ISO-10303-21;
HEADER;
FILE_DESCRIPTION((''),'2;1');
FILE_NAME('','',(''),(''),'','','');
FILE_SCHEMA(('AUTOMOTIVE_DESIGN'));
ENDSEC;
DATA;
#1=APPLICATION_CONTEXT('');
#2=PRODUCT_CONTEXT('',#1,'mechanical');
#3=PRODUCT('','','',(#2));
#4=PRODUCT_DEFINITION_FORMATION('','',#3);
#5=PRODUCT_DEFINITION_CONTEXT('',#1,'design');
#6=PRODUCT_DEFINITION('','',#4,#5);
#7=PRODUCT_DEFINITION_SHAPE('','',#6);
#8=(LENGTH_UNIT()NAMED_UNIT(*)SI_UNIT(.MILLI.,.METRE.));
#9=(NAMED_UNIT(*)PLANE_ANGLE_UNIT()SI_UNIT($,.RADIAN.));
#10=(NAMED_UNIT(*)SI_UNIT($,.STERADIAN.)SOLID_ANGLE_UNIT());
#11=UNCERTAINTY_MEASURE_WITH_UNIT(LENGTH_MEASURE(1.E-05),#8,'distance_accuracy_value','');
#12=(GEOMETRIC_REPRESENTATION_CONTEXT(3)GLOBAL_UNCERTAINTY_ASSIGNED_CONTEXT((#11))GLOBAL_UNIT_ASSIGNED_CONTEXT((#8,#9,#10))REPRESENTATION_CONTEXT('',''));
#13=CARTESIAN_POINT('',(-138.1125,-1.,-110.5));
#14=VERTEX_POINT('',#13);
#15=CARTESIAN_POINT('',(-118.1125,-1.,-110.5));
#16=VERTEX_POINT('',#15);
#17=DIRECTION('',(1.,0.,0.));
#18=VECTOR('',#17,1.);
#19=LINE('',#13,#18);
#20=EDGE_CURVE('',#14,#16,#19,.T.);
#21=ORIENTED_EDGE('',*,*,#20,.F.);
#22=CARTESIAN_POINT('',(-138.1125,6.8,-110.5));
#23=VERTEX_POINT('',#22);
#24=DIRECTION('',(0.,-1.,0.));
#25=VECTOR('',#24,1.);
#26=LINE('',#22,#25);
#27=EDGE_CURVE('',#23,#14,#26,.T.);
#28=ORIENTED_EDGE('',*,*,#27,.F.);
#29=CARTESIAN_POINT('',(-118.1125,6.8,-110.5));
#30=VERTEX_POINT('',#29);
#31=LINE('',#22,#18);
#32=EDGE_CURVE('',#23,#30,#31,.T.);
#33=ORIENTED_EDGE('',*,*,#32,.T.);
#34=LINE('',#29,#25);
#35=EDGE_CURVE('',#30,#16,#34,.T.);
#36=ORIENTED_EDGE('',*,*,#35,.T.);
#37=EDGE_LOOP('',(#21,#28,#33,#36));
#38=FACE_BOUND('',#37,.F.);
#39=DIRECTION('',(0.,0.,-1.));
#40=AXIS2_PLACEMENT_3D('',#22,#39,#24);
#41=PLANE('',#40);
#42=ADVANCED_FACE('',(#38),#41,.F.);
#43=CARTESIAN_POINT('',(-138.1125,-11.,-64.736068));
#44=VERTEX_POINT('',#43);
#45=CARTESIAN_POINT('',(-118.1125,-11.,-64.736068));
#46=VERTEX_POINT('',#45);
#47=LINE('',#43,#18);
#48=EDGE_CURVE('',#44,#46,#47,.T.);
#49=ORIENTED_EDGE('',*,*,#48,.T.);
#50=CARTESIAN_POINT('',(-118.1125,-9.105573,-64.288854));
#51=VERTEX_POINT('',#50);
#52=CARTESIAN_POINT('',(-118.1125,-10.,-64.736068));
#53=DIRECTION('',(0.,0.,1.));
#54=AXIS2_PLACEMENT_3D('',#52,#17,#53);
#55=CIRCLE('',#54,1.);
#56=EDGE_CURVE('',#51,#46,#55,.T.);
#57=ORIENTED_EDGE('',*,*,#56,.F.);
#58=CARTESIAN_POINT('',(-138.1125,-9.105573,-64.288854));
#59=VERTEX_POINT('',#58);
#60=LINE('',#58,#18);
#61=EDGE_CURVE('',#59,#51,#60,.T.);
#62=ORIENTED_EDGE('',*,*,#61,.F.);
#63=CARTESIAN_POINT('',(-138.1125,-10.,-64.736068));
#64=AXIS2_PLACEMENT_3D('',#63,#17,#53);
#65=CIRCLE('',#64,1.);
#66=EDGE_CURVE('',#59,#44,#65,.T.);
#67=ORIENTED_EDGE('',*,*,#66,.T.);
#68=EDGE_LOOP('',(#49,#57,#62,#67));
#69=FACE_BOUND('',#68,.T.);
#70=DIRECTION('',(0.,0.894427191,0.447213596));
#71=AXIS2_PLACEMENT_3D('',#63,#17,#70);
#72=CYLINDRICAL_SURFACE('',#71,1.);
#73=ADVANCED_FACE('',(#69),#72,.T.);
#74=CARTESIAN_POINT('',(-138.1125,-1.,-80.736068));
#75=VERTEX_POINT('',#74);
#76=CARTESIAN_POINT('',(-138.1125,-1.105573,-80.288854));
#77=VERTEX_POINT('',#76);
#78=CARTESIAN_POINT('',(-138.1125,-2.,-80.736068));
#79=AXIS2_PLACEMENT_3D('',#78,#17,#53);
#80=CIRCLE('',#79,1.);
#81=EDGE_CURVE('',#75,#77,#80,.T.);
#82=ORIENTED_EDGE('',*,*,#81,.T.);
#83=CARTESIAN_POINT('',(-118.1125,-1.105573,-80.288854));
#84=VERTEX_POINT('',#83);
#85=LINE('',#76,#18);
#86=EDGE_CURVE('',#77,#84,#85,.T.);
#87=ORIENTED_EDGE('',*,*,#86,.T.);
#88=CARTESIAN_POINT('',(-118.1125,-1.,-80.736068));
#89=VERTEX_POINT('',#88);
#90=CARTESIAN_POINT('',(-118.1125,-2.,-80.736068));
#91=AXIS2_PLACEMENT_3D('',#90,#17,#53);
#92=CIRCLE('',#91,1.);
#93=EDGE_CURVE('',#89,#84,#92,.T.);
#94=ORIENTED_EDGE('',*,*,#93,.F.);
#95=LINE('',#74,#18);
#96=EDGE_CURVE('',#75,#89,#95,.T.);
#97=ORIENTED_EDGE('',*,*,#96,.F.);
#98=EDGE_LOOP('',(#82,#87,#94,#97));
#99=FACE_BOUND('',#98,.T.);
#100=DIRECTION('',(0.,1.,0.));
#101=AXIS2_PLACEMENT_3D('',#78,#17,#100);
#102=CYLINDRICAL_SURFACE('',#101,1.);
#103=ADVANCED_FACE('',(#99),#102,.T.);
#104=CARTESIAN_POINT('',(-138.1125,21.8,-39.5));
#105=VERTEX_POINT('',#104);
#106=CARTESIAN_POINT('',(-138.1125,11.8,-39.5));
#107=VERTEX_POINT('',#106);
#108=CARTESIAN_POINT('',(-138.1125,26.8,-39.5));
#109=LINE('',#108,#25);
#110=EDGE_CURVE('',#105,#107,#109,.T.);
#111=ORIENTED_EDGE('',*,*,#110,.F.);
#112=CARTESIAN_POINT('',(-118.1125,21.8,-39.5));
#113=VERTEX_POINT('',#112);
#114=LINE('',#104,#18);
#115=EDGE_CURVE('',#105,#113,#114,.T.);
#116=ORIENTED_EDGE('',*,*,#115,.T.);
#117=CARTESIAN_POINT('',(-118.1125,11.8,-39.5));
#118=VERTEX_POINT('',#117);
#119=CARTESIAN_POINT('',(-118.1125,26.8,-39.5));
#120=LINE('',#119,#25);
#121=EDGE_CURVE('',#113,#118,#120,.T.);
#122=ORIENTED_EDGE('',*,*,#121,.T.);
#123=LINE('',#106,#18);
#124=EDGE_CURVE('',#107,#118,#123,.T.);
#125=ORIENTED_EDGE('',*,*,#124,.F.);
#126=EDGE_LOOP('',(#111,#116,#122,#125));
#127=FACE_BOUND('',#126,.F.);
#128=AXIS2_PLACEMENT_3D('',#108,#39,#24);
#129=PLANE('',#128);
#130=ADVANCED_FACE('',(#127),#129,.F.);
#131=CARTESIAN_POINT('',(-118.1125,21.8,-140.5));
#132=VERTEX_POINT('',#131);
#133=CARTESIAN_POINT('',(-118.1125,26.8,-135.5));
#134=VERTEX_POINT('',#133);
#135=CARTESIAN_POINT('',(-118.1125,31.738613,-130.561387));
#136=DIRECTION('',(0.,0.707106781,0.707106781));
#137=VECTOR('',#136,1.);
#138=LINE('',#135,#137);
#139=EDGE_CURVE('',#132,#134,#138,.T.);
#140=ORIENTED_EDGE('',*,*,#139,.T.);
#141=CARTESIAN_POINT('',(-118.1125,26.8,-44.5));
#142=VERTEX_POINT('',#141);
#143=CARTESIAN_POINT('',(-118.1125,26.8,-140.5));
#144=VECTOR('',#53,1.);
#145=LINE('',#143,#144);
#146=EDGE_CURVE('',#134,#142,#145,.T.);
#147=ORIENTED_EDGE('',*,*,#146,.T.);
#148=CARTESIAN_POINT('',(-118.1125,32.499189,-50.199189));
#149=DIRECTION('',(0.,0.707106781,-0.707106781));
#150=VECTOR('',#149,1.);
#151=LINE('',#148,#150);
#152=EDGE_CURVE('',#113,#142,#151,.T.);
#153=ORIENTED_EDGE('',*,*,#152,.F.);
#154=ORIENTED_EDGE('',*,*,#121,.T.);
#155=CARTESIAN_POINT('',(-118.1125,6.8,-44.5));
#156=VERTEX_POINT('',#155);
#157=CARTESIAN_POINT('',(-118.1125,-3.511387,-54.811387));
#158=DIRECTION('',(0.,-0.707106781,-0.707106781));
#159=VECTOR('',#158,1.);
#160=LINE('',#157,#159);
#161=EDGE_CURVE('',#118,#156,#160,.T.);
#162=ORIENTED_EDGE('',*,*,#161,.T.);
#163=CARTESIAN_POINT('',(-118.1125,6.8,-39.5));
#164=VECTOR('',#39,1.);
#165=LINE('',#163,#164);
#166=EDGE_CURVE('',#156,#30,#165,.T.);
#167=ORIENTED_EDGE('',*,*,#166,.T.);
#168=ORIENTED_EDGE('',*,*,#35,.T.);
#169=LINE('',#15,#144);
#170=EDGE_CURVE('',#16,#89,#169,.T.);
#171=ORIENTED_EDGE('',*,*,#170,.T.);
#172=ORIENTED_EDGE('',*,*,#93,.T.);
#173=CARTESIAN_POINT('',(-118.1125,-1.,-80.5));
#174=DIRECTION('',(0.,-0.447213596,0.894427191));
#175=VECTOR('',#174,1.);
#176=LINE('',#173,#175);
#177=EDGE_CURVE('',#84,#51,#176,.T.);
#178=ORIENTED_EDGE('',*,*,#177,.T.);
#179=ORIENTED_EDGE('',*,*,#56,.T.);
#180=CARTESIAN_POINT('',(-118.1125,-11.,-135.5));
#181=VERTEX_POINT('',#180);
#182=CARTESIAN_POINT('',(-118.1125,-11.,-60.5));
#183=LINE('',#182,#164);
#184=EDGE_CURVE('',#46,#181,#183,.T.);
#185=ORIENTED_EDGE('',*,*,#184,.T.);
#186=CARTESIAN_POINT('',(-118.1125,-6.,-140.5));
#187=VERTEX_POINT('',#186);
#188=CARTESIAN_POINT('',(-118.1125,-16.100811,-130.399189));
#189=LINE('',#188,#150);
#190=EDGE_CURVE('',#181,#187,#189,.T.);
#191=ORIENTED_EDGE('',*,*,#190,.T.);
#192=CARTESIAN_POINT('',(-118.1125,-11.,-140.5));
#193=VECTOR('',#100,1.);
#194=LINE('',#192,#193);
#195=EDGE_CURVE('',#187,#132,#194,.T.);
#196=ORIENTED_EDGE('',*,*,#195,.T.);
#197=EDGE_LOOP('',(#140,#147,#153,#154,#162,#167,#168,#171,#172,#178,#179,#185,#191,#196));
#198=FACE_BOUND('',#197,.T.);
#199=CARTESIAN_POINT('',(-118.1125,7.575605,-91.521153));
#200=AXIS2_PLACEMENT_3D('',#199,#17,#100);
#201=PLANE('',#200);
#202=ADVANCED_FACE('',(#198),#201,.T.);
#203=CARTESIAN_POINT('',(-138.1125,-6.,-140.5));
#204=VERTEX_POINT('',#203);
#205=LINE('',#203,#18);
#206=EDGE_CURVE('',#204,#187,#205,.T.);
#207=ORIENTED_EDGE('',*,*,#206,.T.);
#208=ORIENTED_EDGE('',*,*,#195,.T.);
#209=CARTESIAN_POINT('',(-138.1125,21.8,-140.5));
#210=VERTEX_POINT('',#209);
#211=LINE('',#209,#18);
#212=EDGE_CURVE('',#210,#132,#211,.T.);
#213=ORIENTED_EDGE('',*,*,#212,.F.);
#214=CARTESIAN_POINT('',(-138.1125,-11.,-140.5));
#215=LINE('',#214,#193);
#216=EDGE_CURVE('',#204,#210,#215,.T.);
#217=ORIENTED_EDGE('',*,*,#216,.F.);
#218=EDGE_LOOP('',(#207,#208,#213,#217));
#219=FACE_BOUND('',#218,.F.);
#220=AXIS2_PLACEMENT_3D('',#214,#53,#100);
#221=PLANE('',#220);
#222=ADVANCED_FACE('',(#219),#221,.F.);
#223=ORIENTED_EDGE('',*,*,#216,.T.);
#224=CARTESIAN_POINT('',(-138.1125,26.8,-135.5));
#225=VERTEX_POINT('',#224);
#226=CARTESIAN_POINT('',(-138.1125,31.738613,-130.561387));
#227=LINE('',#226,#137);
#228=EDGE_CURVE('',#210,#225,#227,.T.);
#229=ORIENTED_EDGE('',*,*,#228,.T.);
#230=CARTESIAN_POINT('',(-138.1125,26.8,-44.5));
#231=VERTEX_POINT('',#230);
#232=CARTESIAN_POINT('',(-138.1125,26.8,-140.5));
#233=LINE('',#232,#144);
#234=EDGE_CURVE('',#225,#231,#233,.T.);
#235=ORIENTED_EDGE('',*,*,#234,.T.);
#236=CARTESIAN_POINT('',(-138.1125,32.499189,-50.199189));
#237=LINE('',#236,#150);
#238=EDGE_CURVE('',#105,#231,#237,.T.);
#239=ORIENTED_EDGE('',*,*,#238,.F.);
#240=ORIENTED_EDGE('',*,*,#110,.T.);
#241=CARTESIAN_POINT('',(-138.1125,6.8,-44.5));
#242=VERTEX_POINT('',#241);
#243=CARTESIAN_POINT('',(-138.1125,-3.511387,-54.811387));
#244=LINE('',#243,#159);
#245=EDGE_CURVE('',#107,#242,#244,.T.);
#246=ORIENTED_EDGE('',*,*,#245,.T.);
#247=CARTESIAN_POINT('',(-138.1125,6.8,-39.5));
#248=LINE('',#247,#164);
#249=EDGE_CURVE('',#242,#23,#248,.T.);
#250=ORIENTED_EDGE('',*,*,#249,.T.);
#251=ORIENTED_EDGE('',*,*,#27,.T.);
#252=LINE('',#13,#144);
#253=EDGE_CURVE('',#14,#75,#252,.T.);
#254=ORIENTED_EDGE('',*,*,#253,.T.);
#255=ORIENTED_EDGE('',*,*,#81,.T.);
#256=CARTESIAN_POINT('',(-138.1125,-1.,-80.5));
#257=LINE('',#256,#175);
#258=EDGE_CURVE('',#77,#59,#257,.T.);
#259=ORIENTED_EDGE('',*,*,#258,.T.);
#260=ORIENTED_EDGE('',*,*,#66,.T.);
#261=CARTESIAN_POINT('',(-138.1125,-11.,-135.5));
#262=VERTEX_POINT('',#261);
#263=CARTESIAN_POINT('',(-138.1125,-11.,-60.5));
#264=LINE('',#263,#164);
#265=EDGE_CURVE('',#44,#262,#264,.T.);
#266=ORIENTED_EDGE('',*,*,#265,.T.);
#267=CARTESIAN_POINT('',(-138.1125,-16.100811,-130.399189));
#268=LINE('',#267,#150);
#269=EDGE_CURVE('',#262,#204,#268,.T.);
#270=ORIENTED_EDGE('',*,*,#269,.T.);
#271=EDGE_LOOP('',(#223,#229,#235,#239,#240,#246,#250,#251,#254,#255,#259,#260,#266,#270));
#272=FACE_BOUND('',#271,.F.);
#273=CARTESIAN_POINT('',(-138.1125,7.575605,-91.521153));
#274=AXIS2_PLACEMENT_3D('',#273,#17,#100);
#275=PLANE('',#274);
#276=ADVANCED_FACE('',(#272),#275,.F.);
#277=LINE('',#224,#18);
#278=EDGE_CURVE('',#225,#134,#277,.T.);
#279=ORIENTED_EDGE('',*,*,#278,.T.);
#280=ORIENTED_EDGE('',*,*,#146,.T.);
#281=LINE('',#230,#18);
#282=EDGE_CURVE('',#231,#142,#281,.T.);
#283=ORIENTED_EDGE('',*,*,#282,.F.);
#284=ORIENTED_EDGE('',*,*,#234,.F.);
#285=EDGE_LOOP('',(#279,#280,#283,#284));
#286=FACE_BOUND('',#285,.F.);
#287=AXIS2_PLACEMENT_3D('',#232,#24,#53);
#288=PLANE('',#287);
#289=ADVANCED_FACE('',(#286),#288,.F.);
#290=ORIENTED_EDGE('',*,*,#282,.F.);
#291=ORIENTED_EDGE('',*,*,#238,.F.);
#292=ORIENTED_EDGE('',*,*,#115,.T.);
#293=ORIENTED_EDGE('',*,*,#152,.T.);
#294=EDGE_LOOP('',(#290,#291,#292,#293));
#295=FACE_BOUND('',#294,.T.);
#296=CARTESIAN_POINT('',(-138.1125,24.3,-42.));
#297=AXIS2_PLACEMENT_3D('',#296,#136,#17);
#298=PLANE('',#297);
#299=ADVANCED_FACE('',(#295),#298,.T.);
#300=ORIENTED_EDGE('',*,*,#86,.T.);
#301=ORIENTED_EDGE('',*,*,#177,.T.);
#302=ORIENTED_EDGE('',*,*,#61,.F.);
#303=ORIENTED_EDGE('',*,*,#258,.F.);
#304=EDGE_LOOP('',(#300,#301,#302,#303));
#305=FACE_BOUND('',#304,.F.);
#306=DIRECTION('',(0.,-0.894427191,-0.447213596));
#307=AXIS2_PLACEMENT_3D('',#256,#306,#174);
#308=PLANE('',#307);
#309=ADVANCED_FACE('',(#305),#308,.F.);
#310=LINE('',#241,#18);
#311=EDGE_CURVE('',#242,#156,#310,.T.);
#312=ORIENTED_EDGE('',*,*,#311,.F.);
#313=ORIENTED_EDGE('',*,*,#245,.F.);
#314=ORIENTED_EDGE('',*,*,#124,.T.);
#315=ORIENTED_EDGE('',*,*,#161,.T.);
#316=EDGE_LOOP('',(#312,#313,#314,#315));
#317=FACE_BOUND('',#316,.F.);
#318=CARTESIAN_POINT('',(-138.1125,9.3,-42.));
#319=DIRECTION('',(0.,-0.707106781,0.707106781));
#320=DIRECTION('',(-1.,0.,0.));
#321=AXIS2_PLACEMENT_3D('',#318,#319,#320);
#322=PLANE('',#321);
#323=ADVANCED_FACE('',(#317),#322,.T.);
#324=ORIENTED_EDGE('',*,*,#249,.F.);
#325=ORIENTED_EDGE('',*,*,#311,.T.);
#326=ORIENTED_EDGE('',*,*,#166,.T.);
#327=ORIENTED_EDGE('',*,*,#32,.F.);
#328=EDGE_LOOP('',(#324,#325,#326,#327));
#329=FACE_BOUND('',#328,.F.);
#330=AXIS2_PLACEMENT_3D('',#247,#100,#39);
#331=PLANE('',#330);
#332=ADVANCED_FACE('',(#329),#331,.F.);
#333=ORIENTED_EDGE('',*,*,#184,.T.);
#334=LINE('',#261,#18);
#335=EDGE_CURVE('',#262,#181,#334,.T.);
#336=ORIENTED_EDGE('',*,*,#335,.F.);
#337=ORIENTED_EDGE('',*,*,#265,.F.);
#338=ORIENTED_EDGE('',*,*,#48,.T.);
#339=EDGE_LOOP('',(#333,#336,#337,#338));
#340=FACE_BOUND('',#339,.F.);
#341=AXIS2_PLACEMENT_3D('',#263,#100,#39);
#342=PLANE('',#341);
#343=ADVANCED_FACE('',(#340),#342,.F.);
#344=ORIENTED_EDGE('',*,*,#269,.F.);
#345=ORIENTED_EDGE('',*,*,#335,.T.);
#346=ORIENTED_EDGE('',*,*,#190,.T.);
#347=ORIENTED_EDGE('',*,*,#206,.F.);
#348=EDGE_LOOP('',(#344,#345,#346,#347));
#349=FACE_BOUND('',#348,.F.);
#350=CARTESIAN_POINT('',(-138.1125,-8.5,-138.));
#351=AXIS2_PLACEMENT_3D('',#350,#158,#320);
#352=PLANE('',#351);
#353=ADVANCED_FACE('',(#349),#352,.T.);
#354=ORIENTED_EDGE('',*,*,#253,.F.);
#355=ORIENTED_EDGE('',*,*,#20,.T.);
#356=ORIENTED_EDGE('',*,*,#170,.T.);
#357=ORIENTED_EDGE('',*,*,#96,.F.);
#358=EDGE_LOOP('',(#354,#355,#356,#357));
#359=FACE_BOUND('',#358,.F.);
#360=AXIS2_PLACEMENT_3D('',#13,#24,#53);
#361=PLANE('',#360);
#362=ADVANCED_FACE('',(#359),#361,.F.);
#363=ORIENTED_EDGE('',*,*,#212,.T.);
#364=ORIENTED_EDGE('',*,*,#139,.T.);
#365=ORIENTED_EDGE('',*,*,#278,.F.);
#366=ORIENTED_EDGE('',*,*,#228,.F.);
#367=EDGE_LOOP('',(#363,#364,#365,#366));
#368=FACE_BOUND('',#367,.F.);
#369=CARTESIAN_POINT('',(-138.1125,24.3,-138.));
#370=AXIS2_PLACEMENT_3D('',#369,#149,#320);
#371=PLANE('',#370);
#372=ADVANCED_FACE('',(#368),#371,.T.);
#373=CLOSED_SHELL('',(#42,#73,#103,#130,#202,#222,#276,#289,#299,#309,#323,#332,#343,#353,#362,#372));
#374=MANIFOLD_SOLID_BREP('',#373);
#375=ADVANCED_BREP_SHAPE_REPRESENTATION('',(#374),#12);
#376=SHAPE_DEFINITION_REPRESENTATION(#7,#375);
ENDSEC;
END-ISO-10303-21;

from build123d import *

# Parameters (mm, degrees)
F3_DEPTH = 20
F4_SIZE  = 5
F5_R     = 1


with BuildPart() as f3:
    # F2 (on face) → F3 (new body)
    with BuildSketch(Plane.YZ.offset(-138.1125)):
        Polygon((26.8, -39.5), (6.8, -39.5), (6.8, -110.5), (-1, -110.5), (-1, -80.5), (-11, -60.5), (-11, -140.5), (26.8, -140.5), (26.8, -120.5), (26.8, -59.5), align=None)
    extrude(amount=F3_DEPTH)

    # F4
    f4_edges = [f3.edges().sort_by_distance(p)[0] for p in [
        (-128.1125, 26.8, -39.5),
        (-128.1125, 6.8, -39.5),
        (-128.1125, -11, -140.5),
        (-128.1125, 26.8, -140.5),
    ]]
    chamfer(f4_edges, length=F4_SIZE)

    # F5
    f5_edges = [f3.edges().sort_by_distance(p)[0] for p in [
        (-128.1125, -11, -60.5),
        (-128.1125, -1, -80.5),
    ]]
    fillet(f5_edges, radius=F5_R)


solid = f3.part
